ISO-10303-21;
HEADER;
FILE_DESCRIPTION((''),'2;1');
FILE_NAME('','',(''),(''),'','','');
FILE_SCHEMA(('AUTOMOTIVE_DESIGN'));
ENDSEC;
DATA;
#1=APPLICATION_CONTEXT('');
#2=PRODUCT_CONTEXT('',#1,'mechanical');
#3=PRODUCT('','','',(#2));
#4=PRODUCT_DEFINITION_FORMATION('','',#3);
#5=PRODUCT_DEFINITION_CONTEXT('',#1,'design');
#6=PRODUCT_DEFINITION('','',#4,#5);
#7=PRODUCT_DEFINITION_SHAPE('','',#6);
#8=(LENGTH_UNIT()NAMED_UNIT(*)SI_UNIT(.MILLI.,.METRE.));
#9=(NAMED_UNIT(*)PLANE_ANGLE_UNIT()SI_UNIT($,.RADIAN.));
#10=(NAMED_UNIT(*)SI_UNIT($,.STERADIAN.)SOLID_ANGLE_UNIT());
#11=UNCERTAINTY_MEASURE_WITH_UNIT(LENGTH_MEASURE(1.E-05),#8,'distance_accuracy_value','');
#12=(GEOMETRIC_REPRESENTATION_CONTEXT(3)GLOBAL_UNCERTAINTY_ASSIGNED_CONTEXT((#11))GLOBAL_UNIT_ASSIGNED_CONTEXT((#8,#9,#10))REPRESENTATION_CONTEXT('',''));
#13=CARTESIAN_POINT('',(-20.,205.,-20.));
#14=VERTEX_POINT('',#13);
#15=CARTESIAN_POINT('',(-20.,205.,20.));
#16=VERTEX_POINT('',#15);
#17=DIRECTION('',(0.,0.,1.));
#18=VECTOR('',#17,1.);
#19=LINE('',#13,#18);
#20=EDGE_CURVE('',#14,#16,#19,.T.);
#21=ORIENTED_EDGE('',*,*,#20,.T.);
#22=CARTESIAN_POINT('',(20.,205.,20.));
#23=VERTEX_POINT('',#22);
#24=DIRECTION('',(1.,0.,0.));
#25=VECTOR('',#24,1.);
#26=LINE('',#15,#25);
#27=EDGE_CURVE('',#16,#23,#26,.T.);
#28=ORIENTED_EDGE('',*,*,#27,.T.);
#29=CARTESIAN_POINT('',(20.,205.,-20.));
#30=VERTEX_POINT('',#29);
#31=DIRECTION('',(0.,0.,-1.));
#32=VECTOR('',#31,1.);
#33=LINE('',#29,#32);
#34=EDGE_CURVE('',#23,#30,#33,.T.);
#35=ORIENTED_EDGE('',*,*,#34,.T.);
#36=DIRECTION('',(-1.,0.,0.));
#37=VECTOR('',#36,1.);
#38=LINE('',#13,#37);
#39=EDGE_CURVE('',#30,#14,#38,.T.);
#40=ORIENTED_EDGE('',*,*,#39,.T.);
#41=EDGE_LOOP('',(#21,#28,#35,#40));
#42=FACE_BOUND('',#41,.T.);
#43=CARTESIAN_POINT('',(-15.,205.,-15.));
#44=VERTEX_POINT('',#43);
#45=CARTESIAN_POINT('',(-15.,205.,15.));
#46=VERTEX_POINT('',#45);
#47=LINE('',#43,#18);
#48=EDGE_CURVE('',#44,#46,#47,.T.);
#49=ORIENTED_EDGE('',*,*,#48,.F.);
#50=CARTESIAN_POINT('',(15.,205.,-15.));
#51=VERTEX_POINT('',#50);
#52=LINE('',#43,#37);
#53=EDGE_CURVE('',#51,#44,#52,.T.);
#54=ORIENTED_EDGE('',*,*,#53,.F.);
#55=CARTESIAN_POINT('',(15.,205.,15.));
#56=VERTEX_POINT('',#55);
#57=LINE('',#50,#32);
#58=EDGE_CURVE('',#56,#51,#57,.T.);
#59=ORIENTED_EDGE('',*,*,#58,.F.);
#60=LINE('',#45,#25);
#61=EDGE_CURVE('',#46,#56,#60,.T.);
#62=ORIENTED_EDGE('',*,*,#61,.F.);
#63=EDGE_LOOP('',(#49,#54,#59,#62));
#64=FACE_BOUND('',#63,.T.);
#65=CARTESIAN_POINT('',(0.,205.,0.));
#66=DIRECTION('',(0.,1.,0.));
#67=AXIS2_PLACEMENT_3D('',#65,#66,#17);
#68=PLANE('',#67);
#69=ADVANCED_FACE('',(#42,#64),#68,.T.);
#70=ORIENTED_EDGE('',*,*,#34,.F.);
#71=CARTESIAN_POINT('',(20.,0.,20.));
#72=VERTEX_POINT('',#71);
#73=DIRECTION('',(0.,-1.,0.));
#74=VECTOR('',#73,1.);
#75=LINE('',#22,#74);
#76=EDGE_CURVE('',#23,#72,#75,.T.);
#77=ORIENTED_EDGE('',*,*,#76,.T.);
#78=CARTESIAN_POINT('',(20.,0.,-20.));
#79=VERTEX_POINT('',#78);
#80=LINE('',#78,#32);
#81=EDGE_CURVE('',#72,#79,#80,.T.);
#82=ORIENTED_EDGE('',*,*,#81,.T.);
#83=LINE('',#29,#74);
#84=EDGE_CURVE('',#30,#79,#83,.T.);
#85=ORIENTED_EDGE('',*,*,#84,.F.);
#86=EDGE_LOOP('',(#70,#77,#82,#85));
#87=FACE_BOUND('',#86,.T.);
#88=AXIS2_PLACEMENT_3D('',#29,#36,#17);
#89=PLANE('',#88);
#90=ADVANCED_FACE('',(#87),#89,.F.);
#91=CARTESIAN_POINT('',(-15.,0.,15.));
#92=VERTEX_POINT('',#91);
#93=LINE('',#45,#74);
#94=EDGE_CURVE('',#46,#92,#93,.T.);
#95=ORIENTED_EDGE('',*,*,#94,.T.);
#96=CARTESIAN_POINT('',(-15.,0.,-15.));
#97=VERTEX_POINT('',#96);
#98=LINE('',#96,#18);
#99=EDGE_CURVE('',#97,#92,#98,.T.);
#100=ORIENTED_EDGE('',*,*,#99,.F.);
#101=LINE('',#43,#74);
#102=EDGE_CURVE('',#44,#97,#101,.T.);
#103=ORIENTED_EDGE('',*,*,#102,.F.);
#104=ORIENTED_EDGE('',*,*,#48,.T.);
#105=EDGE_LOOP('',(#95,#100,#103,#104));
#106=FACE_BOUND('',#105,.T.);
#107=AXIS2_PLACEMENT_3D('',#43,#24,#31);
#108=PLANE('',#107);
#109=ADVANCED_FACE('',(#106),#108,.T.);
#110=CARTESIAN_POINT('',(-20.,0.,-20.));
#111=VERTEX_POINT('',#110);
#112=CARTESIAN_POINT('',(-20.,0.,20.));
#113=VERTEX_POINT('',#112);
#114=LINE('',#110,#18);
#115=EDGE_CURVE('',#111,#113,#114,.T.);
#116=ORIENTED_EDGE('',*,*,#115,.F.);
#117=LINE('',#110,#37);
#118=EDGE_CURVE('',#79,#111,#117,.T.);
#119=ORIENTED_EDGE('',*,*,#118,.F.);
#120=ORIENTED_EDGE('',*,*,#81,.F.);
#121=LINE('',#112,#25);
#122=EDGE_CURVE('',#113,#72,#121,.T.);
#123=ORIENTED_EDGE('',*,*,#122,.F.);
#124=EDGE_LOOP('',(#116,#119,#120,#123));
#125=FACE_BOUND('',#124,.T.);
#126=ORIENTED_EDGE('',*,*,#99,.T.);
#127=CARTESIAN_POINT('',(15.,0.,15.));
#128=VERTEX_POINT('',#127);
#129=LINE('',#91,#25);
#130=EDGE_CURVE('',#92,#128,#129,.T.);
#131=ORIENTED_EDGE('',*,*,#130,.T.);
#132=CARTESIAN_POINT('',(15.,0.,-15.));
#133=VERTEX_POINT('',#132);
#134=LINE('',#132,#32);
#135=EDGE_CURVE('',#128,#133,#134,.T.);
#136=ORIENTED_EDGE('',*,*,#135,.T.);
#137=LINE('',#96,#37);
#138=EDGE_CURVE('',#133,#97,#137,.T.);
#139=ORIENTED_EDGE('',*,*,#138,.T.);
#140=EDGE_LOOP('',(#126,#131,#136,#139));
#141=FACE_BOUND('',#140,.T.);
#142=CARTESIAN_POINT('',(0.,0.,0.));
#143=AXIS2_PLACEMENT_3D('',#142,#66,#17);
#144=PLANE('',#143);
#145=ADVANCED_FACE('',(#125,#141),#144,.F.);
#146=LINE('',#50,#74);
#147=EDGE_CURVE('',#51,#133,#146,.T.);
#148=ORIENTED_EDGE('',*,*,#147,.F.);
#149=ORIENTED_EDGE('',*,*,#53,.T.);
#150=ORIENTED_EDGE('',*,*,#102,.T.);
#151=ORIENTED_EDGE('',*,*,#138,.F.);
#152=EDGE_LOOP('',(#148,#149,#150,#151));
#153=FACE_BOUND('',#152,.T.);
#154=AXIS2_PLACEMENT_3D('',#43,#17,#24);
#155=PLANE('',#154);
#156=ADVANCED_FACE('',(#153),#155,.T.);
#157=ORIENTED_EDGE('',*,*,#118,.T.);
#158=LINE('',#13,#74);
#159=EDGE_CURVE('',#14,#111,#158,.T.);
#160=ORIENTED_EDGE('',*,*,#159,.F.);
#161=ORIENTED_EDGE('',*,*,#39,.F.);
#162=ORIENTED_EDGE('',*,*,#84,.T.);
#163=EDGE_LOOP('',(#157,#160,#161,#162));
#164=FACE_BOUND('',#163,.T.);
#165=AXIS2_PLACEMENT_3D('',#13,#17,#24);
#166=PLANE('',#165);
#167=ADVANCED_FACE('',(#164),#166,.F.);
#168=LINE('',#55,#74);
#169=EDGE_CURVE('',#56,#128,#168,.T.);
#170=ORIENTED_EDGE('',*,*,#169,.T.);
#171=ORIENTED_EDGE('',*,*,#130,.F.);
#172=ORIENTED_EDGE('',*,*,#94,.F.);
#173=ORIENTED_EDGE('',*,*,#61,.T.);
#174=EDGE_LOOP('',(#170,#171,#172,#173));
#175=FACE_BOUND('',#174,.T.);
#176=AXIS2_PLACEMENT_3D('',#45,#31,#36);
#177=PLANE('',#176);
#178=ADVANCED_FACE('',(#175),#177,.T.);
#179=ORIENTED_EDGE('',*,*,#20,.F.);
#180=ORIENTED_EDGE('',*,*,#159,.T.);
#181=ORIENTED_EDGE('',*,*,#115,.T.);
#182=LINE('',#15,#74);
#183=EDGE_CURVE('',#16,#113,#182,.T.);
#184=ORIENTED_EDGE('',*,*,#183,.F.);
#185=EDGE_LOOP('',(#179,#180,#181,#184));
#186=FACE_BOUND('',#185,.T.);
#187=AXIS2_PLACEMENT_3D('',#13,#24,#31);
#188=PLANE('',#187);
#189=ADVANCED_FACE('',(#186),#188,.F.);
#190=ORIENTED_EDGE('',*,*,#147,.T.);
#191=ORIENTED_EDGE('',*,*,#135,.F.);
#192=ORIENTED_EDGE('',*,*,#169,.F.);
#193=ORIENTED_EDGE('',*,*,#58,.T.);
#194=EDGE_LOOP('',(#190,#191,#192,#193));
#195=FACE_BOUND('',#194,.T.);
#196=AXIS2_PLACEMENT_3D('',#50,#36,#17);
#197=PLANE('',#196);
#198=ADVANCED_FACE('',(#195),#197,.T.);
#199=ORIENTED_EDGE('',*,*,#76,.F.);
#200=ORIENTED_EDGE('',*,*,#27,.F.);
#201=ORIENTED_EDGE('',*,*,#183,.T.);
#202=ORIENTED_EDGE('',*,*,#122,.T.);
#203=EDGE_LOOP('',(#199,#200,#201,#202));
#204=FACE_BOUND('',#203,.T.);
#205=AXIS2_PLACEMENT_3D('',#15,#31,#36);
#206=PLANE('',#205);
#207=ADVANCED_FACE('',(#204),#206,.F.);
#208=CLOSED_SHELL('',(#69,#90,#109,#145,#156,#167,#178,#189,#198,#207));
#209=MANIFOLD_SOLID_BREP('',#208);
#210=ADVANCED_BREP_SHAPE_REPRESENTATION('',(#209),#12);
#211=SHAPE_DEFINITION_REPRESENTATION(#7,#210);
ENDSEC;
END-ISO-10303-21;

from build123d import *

# Parameters (mm, degrees)
SKETCH3_W           = 40
SKETCH3_H           = 40
SKETCH3_W_2         = 30
SKETCH3_H_2         = 30
BOSS_EXTRUDE1_DEPTH = 205


with BuildPart() as part:
    # Sketch3 → Boss-Extrude1 (new body)
    with BuildSketch(Plane(origin=(0, 0, 0), x_dir=(1, 0, 0), z_dir=(0, 1, 0))):
        Rectangle(SKETCH3_W, SKETCH3_H)
        Rectangle(SKETCH3_W_2, SKETCH3_H_2, mode=Mode.SUBTRACT)
    extrude(amount=BOSS_EXTRUDE1_DEPTH)


solid = part.part
